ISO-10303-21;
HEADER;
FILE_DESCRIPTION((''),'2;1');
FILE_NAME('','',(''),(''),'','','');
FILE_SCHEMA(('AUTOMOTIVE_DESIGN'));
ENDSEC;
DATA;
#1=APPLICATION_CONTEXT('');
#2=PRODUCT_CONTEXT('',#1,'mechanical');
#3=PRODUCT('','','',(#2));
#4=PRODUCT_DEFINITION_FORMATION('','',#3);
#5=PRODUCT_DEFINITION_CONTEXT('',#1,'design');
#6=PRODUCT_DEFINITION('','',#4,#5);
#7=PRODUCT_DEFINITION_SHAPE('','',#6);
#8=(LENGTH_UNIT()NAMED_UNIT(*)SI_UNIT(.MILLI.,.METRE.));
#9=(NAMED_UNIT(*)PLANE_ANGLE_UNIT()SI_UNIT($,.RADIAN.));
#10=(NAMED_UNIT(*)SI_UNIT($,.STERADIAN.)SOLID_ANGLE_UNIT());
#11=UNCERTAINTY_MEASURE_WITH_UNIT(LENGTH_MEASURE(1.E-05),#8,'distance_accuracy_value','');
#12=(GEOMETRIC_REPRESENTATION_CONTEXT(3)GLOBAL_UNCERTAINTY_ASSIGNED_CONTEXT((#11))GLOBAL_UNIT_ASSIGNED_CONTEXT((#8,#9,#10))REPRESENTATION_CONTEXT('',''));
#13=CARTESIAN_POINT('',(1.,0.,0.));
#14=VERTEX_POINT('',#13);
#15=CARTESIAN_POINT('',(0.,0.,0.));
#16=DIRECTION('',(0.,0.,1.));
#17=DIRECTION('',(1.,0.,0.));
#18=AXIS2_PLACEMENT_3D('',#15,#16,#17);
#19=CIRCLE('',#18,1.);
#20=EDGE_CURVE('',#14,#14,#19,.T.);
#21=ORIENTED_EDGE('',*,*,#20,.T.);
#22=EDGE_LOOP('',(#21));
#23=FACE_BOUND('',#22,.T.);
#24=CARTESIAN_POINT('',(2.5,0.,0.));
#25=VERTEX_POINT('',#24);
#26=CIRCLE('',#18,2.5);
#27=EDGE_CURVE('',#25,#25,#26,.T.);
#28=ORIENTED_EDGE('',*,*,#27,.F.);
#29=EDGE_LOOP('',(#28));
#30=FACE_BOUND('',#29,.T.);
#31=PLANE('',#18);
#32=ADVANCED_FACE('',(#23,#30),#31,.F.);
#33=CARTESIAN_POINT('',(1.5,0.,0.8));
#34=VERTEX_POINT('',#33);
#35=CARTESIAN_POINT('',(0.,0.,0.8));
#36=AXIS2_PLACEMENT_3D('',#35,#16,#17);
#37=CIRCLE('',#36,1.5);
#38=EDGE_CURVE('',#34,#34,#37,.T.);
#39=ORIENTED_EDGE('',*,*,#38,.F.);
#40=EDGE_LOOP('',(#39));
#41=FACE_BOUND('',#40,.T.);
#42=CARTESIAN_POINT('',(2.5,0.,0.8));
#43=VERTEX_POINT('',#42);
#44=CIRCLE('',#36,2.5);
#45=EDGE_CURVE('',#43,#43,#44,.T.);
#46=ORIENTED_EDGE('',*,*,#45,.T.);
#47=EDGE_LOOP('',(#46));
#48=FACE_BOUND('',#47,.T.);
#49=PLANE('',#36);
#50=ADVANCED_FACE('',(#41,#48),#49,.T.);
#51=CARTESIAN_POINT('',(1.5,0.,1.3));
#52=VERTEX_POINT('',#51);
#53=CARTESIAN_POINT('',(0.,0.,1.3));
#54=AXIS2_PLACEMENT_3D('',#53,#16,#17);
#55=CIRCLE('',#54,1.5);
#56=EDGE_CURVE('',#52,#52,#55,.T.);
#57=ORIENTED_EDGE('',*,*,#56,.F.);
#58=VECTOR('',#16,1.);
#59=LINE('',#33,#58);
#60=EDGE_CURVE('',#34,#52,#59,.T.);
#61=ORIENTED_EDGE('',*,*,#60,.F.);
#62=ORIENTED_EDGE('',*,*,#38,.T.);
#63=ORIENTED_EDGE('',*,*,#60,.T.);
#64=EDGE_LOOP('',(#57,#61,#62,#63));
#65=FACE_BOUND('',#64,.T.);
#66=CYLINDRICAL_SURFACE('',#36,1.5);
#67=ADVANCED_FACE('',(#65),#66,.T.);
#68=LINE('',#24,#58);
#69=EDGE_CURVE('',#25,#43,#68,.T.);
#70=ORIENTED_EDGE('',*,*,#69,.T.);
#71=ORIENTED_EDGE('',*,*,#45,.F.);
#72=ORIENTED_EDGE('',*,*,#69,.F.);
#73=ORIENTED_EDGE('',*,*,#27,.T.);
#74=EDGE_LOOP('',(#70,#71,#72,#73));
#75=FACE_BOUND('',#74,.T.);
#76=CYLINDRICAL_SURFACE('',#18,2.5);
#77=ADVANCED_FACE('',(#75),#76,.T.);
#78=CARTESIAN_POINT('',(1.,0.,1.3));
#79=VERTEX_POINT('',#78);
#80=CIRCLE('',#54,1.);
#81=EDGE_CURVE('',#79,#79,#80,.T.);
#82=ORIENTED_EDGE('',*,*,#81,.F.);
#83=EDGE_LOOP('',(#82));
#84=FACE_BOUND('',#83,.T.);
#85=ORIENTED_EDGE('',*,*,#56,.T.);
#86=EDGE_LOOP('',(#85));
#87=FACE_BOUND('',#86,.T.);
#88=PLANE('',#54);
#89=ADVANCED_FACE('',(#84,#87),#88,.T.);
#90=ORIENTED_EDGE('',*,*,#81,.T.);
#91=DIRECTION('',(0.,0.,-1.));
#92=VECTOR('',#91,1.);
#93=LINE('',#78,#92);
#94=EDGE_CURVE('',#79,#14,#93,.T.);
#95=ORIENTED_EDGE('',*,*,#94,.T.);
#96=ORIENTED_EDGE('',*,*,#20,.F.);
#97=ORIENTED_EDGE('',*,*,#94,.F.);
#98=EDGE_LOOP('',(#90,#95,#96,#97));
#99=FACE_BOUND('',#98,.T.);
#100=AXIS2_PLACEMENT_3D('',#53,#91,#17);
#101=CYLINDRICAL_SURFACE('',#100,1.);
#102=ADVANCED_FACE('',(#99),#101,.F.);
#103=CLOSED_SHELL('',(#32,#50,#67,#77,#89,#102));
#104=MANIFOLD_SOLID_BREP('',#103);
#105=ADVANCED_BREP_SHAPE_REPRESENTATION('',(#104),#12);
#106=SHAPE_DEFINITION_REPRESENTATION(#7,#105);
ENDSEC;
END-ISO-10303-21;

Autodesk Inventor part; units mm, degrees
ref_plane "YZ Plane" through (0, 0, 0) normal (1, 0, 0) x (0, 1, 0)
ref_plane "XZ Plane" through (0, 0, 0) normal (0, 1, 0) x (-1, 0, 0)
ref_plane "XY Plane" through (0, 0, 0) normal (0, 0, 1) x (1, 0, 0)
sketch "Sketch1" plane through (0, 0, 0) normal (0, 1, 0) x (-1, 0, 0)
  line L0 (0, 0) -> (0, 1.3)
  line L1 (-1, 1.3) -> (-1, 0)
  line L2 (-1, 0) -> (-2.5, 0)
  line L3 (-2.5, 0) -> (-2.5, 0.8)
  line L4 (-2.5, 0.8) -> (-1.5, 0.8)
  line L5 (-1.5, 0.8) -> (-1.5, 1.3)
  line L6 (-1.5, 1.3) -> (-1, 1.3)
  dimension "d0" = 2
  dimension "d1" = 3
  dimension "d2" = 5
  dimension "d3" = 0.8
  dimension "d4" = 0.5
revolve "Revolution1" add sketch "Sketch1" angle 360 about axis through (0, 0, 0) along (0, 0, 1)
properties part number "D2030-5805B" material "Acetal Resin, Black"
